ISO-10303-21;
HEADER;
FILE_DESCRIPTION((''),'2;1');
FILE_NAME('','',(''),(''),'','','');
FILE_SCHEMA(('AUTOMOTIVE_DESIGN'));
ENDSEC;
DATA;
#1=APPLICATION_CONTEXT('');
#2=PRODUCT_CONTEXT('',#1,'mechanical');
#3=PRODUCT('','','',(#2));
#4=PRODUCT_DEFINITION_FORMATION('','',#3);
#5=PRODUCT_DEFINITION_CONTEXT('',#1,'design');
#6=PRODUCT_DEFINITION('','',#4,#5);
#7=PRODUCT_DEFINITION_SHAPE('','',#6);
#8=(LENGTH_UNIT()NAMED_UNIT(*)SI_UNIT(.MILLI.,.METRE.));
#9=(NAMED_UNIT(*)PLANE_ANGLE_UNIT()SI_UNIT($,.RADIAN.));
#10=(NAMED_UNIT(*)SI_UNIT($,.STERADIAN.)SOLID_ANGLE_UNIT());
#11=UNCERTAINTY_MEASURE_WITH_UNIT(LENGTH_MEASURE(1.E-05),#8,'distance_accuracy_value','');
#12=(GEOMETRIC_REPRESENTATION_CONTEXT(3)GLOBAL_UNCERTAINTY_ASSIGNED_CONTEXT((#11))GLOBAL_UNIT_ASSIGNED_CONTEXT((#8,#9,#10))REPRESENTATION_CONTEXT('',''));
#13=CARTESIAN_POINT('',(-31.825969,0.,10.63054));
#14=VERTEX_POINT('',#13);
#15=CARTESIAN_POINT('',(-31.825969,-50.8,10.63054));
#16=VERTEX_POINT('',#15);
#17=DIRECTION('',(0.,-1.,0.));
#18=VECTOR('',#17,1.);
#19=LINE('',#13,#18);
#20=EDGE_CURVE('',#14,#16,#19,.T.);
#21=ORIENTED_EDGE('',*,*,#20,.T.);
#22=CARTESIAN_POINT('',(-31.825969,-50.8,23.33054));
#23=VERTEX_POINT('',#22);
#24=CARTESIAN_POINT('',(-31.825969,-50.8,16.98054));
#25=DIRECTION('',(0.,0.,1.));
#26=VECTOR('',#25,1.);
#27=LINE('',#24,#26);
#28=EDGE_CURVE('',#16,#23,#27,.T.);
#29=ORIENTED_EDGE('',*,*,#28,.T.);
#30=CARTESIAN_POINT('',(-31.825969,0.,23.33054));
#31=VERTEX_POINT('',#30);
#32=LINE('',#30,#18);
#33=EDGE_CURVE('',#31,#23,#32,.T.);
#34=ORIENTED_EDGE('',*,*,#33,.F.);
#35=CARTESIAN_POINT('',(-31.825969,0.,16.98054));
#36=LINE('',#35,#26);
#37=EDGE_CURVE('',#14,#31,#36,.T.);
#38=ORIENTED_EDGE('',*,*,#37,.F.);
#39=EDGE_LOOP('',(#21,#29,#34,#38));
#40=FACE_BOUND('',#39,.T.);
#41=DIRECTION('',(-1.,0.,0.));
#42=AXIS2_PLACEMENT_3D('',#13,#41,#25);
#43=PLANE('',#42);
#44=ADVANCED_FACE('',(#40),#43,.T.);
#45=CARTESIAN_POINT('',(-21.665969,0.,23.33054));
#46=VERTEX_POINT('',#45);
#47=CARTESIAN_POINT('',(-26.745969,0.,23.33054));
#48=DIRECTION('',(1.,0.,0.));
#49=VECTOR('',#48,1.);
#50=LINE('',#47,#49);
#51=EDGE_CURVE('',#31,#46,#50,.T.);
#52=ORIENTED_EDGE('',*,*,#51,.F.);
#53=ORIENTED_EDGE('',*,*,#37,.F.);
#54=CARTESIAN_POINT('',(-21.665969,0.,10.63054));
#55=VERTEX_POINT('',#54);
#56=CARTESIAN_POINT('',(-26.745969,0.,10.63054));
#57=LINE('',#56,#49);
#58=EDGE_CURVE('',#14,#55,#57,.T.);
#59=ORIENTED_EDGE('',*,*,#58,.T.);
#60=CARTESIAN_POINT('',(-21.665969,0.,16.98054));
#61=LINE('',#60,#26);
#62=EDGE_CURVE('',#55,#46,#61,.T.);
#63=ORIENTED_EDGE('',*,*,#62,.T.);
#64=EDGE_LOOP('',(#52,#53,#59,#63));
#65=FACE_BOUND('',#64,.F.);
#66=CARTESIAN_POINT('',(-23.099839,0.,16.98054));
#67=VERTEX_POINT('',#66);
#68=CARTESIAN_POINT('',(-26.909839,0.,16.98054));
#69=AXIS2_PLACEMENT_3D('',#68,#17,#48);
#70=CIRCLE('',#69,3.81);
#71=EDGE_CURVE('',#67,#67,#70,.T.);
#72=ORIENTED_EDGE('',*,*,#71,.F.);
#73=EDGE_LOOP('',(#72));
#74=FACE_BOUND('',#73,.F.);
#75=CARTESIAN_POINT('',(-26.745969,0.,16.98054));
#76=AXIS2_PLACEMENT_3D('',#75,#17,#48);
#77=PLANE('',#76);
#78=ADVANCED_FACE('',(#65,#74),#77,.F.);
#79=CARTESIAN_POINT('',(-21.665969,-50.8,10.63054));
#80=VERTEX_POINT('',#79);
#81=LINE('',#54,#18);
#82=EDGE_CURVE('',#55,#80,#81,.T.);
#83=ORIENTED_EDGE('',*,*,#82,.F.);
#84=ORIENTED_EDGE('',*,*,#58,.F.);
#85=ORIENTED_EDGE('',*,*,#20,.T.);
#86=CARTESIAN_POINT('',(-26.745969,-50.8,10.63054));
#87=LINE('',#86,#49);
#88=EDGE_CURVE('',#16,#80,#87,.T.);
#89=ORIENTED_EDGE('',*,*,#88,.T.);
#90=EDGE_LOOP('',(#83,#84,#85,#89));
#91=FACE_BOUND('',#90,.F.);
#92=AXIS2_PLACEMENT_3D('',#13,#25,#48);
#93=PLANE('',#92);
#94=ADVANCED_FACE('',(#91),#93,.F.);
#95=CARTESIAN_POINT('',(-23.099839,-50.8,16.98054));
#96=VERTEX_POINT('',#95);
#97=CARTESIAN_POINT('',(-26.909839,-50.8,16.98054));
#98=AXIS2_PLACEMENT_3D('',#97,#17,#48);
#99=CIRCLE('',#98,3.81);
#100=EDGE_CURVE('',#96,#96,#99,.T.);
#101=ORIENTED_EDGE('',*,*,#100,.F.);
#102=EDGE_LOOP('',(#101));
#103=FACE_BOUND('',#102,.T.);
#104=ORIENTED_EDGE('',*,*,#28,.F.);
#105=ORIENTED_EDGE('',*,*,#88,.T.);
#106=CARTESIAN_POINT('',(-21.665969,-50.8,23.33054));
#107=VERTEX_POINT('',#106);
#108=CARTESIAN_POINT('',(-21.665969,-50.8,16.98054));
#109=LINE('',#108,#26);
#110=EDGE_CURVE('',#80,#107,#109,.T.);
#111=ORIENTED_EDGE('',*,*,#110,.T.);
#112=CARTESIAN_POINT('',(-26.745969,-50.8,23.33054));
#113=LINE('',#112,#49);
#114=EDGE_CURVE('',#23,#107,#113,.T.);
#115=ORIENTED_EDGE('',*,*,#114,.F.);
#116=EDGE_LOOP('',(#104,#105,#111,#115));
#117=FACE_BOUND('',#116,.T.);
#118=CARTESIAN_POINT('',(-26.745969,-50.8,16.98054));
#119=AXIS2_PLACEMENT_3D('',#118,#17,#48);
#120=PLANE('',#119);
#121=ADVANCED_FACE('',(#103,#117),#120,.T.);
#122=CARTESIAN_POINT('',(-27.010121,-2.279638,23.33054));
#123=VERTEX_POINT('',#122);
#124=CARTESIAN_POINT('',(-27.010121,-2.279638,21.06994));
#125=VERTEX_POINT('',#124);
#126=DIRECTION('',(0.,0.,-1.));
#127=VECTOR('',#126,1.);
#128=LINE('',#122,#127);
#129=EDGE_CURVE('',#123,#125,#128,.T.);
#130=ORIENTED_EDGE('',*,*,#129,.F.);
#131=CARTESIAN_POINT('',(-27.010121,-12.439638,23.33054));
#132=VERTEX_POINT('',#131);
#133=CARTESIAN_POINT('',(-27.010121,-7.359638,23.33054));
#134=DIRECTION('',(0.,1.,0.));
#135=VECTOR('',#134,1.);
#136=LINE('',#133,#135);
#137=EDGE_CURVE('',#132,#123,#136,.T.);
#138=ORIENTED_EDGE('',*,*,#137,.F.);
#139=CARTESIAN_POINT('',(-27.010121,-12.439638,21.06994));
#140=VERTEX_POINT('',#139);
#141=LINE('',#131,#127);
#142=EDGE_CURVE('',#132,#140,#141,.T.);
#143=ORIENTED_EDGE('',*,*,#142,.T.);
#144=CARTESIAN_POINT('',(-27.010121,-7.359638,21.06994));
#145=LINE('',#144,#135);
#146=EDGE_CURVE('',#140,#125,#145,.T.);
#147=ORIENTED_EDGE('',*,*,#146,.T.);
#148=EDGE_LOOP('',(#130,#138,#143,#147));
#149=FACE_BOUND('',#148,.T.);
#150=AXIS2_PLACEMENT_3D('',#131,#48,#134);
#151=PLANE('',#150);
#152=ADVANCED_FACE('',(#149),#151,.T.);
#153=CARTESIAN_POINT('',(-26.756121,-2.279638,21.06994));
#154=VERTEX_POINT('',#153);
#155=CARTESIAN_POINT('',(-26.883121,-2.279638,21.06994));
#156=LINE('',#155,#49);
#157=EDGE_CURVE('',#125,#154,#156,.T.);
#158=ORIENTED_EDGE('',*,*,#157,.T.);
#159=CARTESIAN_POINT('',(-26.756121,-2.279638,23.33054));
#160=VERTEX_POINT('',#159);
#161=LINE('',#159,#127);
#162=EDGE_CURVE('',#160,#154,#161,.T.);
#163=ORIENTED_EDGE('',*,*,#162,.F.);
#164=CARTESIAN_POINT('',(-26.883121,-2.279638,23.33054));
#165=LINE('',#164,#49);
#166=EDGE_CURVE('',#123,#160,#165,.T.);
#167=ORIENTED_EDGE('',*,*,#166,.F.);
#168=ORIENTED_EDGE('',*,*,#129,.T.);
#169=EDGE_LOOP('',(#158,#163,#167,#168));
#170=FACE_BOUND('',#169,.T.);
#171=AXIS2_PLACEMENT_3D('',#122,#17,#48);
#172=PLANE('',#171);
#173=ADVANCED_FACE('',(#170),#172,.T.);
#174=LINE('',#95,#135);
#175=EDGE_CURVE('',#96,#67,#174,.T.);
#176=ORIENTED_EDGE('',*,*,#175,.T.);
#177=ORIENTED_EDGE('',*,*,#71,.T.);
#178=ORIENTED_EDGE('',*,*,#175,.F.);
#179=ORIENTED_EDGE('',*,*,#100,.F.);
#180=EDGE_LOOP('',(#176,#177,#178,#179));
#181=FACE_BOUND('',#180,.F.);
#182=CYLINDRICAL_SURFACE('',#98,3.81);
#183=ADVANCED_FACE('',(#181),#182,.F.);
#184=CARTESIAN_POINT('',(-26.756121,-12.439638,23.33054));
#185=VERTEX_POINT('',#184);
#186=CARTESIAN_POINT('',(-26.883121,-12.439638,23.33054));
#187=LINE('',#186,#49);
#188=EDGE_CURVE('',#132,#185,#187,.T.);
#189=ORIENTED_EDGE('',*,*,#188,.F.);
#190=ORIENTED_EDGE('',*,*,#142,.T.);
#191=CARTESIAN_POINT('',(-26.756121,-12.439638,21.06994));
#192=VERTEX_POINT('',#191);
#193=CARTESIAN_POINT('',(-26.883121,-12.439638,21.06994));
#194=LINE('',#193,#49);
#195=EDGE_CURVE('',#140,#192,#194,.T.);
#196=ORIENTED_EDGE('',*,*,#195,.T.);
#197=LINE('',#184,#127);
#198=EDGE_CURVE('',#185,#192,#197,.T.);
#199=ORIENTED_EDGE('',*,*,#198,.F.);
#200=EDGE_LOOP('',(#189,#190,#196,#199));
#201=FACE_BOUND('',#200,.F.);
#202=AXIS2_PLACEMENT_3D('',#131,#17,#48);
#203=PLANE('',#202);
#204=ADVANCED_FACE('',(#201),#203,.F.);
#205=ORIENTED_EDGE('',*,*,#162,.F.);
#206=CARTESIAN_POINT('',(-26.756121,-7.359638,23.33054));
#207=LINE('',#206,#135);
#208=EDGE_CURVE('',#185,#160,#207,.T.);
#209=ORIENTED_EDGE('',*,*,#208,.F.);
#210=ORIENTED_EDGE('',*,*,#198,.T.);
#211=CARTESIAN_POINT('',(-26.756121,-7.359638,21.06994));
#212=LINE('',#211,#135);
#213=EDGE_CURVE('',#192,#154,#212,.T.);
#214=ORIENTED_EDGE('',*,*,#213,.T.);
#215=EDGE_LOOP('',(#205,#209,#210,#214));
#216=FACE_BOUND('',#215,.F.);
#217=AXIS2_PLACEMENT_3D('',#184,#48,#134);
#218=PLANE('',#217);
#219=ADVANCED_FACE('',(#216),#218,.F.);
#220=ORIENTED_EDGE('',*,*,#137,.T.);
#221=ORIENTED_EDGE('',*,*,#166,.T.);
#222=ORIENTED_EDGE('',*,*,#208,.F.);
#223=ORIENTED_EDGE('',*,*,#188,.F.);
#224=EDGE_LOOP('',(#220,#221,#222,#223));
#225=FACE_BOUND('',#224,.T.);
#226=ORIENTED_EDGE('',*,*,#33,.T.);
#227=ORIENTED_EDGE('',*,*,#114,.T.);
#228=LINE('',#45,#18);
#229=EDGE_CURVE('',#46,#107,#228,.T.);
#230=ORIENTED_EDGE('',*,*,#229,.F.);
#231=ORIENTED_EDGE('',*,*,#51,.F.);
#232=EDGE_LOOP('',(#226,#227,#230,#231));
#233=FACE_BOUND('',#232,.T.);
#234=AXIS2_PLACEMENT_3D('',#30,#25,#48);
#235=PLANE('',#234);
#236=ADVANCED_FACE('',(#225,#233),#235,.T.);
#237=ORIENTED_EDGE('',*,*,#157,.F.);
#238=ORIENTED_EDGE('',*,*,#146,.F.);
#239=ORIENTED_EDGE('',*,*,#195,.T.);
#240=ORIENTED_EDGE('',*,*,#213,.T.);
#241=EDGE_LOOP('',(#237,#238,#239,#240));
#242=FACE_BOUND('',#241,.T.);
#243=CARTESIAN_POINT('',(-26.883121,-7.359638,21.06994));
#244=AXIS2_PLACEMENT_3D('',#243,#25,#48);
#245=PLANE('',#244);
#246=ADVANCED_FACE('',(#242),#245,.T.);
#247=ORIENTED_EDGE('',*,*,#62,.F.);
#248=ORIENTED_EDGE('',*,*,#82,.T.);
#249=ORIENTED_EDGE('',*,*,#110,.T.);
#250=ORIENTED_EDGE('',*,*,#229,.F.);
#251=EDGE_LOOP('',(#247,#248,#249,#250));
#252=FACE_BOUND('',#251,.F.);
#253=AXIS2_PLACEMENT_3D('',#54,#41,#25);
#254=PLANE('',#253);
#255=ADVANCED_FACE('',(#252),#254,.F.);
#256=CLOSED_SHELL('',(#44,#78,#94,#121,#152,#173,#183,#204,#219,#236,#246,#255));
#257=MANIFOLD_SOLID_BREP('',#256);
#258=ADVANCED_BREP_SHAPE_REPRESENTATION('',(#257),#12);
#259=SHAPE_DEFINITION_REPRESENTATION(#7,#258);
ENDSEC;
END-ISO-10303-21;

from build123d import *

# Parameters (mm, degrees)
F0_W     = 10.16
F0_H     = 12.7
F1_DEPTH = 50.8
F2_R     = 3.81
F3_DEPTH = 76.2
F4_W     = 0.254
F4_H     = 10.16
F5_DEPTH = 2.2606


with BuildPart() as f1:
    # F0 (on Front) → F1 (new body)
    with BuildSketch(Plane.XZ):
        with Locations((-26.745969, 16.98054)):
            Rectangle(F0_W, F0_H)
    extrude(amount=F1_DEPTH)

    # F2 (on face) → F3 (cut)
    with BuildSketch(Plane.XZ.offset(50.8)):
        with Locations((-26.909839, 16.98054)):
            Circle(F2_R)
    extrude(amount=-F3_DEPTH, mode=Mode.SUBTRACT)

    # F4 (on face) → F5 (cut)
    with BuildSketch(Plane.XY.offset(23.33054)):
        with Locations((-26.883121, -7.359638)):
            Rectangle(F4_W, F4_H)
    extrude(amount=-F5_DEPTH, mode=Mode.SUBTRACT)


solid = f1.part
